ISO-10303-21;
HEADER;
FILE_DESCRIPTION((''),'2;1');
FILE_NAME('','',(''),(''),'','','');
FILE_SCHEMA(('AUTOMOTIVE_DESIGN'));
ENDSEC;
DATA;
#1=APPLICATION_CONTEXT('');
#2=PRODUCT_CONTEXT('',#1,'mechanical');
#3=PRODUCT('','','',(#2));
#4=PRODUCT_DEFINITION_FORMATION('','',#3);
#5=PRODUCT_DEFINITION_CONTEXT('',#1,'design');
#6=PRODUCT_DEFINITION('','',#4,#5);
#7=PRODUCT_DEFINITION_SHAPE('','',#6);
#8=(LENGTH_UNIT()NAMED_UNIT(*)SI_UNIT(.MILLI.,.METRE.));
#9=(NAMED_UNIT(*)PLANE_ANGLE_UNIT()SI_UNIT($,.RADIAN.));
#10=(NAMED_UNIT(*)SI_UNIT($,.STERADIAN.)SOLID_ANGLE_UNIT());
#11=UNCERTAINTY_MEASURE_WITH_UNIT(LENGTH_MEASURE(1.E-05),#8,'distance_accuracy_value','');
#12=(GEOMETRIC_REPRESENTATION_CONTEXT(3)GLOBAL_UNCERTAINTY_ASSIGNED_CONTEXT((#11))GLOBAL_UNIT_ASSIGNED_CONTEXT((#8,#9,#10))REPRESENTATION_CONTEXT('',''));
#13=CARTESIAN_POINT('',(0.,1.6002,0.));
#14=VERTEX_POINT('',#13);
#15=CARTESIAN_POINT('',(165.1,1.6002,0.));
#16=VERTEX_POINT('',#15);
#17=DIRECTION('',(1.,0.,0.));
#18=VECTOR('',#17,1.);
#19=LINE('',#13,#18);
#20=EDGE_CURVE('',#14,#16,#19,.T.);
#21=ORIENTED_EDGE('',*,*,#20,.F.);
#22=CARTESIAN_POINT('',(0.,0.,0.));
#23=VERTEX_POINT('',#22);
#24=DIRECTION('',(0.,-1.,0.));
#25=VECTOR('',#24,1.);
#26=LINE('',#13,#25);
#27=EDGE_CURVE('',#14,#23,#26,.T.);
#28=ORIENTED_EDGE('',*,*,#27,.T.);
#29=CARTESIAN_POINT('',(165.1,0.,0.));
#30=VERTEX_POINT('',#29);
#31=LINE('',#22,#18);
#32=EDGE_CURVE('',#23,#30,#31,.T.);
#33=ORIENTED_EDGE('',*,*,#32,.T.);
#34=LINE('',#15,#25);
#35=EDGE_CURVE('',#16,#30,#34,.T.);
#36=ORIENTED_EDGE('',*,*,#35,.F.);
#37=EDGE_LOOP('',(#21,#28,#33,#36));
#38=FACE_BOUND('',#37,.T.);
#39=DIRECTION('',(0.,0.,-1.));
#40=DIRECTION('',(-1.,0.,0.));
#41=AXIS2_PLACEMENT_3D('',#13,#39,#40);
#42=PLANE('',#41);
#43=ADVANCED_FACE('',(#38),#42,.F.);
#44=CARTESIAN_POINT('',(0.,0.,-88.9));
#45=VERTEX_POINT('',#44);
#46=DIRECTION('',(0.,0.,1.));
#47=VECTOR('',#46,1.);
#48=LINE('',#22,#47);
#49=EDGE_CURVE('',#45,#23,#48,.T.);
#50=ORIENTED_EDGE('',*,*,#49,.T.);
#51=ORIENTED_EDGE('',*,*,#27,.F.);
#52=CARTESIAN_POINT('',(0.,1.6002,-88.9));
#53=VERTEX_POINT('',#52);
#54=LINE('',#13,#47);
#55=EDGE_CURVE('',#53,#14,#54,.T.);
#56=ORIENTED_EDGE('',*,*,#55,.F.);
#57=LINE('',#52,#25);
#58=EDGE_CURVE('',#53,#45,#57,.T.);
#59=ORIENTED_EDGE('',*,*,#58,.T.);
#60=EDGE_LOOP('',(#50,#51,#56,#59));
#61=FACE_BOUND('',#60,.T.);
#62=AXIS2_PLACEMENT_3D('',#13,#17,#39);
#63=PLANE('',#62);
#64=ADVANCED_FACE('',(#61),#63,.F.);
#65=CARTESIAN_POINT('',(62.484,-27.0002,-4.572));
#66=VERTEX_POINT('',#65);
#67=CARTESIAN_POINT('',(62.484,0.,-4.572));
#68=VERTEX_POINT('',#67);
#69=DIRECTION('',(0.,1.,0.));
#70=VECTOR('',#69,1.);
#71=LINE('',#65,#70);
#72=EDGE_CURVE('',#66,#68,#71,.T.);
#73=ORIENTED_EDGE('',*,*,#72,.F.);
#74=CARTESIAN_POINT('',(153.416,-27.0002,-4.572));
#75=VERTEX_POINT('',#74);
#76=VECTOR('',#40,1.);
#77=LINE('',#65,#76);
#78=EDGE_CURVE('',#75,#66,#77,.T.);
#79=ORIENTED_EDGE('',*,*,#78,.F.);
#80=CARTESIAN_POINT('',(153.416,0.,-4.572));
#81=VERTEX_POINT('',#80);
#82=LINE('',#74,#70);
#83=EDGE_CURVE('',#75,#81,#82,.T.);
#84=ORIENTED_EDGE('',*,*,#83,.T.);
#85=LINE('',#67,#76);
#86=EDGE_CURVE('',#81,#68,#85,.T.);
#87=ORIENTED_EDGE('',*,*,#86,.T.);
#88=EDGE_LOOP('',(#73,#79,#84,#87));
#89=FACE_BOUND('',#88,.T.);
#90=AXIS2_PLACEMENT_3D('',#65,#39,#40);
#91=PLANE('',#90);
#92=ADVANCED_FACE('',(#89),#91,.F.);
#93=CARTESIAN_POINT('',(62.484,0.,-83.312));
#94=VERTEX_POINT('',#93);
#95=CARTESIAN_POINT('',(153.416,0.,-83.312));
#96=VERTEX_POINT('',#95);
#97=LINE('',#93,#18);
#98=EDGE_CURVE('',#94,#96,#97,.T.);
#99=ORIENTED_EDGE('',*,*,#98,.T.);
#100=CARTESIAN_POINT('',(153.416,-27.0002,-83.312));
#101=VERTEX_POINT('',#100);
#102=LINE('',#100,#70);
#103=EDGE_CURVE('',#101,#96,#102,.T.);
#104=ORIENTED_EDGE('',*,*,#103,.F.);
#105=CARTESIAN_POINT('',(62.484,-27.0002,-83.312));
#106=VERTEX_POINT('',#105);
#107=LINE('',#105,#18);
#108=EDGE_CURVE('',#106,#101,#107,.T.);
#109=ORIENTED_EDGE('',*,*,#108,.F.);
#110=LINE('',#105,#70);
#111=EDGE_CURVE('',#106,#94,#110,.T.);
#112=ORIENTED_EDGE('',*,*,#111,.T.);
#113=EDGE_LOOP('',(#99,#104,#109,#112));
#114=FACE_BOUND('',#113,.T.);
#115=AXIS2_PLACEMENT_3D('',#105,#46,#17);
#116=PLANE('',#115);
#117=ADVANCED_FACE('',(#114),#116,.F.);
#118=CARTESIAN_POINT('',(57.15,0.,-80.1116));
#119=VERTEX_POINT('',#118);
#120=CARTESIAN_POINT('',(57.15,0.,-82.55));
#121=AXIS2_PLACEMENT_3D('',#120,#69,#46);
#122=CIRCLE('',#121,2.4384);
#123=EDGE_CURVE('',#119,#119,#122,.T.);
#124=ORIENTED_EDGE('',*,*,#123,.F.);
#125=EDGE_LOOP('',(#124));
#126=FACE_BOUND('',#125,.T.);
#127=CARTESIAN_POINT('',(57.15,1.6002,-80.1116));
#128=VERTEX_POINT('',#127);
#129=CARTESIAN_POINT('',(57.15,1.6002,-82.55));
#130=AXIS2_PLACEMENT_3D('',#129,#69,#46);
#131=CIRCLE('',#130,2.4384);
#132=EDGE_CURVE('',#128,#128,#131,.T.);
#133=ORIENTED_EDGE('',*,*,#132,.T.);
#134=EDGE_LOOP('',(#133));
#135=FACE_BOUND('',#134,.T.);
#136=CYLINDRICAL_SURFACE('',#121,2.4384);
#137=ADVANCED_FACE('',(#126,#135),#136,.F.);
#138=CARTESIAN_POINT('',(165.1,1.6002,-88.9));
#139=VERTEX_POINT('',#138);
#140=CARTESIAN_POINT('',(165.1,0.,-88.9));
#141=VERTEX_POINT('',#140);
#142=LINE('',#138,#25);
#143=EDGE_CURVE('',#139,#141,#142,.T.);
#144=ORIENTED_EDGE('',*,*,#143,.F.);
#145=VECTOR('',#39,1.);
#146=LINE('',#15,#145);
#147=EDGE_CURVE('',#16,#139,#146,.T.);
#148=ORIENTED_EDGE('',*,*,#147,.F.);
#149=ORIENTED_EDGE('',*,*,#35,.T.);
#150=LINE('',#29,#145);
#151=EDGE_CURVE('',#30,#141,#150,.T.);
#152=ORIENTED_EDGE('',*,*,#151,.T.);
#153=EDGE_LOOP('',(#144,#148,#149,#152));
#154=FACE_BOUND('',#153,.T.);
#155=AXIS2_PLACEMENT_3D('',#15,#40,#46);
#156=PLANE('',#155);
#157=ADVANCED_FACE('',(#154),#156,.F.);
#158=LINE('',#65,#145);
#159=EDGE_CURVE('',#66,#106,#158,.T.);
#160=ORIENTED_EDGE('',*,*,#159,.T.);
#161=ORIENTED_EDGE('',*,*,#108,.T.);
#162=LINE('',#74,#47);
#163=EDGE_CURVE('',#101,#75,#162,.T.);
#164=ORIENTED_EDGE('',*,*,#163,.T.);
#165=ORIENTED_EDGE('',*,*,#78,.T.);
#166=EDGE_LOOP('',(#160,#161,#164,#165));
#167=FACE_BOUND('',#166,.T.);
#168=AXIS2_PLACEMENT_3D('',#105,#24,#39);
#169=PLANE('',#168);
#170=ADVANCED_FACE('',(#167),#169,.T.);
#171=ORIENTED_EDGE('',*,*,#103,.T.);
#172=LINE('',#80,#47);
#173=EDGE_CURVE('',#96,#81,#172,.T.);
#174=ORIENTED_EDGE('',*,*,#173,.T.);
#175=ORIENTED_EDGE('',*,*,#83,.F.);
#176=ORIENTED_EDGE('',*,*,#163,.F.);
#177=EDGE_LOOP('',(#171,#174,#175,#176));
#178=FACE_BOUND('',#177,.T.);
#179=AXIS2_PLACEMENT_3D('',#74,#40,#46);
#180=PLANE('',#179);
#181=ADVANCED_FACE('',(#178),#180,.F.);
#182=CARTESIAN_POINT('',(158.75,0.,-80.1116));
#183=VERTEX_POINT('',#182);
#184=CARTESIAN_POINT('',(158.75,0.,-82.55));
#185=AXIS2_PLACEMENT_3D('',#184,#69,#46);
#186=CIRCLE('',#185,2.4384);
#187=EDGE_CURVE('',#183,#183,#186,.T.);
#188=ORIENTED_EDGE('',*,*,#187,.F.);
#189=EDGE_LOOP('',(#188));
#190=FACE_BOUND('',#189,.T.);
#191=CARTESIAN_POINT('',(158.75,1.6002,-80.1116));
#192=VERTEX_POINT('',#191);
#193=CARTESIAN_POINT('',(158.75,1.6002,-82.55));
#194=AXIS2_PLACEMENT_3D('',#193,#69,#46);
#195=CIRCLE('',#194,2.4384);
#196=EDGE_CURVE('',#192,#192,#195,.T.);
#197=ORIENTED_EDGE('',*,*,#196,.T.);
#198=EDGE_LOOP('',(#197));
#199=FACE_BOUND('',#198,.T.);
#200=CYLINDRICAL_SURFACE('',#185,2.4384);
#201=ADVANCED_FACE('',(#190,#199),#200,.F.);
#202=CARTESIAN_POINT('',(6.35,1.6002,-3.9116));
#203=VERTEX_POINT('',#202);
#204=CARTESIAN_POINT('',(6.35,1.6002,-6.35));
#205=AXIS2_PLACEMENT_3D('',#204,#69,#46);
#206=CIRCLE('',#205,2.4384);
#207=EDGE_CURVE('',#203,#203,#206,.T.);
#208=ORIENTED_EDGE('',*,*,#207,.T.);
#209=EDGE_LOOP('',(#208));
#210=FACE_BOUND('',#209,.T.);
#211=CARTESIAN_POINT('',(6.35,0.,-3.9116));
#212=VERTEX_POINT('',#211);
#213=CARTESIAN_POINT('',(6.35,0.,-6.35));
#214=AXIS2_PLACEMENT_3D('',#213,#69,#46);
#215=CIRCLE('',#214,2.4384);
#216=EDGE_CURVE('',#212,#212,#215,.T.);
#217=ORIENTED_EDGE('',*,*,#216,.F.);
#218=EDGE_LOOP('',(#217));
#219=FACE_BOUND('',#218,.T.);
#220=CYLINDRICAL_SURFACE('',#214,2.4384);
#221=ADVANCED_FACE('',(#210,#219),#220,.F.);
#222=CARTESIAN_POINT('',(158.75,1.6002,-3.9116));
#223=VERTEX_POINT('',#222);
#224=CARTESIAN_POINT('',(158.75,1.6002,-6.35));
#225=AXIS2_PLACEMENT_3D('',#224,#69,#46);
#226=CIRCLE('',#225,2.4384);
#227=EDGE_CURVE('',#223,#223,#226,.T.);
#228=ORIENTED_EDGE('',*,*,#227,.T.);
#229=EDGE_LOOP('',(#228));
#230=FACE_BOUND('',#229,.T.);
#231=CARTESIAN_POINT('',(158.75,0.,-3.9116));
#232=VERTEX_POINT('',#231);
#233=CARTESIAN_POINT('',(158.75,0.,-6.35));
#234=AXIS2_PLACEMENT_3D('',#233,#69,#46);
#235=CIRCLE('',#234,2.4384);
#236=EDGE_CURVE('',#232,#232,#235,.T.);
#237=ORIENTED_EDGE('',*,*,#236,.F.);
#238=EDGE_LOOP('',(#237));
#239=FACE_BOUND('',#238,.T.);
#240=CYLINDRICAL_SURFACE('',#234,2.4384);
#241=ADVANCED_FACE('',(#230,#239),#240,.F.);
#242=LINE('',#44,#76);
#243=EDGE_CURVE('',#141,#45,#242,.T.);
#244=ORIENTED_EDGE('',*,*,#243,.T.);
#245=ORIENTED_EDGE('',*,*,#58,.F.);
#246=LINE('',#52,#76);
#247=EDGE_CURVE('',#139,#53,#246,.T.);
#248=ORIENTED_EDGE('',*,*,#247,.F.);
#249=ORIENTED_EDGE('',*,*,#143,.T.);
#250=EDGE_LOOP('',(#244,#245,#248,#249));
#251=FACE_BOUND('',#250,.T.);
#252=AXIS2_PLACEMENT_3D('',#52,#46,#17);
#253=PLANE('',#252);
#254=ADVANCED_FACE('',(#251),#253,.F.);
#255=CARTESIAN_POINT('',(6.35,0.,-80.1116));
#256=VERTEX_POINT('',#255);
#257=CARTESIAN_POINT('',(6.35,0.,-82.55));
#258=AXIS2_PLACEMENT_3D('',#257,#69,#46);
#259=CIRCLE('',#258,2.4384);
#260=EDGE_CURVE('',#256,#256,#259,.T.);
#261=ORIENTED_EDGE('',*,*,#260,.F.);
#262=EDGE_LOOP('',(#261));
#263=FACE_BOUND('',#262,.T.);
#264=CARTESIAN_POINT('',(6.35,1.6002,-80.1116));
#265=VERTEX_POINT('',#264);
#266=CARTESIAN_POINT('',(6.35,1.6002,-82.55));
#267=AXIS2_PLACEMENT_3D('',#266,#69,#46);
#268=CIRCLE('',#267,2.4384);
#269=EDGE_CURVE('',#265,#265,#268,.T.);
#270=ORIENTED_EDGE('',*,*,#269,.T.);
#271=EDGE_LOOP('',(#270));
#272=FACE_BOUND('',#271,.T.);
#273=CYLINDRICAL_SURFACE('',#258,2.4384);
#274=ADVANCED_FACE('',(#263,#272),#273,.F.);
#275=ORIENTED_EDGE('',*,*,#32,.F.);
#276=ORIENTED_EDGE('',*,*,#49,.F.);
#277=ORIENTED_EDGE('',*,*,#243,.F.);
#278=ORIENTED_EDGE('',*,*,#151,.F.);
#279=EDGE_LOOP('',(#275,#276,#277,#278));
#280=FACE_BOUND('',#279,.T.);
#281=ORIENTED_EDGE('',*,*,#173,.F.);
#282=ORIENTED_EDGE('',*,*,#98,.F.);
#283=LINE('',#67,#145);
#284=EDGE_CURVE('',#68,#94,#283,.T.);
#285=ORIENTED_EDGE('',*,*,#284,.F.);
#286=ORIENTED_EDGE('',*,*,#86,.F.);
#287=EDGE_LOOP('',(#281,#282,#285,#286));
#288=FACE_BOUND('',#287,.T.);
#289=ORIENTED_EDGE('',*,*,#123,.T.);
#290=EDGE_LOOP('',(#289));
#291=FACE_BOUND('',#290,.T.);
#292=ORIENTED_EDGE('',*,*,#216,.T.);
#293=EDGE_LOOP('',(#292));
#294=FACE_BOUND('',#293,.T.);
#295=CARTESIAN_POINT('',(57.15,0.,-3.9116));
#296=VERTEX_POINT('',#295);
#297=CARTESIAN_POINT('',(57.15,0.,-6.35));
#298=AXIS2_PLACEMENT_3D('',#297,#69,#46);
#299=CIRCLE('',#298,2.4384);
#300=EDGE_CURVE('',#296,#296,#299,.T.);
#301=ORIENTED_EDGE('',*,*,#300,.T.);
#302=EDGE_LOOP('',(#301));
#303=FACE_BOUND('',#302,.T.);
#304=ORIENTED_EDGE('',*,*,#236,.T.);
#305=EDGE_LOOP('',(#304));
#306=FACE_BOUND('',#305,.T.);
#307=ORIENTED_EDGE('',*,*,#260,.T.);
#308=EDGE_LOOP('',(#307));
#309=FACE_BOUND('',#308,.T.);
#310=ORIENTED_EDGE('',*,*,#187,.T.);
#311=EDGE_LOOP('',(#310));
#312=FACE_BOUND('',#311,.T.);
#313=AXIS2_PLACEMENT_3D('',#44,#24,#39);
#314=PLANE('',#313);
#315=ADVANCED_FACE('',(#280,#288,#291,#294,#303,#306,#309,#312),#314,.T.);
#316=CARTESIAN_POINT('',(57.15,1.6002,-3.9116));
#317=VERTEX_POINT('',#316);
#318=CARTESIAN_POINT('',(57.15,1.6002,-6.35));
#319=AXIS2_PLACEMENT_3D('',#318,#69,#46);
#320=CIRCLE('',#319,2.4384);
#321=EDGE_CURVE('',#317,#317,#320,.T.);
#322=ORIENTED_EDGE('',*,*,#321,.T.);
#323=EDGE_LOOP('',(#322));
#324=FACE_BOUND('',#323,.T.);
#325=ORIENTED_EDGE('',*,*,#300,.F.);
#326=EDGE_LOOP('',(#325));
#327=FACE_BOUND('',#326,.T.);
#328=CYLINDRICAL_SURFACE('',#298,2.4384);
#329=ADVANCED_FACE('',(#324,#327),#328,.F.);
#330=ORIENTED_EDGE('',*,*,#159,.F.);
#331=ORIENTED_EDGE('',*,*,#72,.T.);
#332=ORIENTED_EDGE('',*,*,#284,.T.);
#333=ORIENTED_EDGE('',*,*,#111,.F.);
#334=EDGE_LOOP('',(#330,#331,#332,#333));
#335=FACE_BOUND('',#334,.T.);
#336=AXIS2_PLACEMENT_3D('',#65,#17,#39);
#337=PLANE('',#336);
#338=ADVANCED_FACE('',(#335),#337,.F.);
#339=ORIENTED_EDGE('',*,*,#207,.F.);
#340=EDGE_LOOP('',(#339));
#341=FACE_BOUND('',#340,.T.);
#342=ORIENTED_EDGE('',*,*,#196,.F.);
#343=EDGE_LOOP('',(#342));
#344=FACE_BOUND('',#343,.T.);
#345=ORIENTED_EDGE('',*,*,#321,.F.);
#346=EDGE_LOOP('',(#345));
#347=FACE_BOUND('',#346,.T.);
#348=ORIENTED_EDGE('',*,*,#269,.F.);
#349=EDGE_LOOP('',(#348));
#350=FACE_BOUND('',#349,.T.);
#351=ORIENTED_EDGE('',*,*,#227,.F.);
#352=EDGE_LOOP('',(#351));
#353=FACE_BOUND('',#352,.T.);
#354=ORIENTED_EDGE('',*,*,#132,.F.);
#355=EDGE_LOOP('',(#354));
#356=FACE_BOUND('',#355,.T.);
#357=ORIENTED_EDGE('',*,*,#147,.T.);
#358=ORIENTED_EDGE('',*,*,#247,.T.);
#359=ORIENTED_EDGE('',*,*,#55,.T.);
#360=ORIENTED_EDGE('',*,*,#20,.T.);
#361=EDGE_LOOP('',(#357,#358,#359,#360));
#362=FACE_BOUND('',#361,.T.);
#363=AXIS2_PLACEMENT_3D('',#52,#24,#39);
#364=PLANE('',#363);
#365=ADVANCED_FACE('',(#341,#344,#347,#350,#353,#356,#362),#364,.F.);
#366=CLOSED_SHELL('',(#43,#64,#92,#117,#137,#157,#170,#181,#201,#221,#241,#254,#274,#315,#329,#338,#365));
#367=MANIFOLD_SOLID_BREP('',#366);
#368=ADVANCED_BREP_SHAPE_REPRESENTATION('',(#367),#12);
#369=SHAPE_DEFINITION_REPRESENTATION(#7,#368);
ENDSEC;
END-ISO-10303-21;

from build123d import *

# Parameters (mm, degrees)
SKETCH1_W          = 165.1
SKETCH1_H          = 88.9
EXTRUDE1_DEPTH     = 1.6002
SKETCH2_R          = 2.4384
CUT_EXTRUDE1_DEPTH = 2.6002
SKETCH3_W          = 90.932
SKETCH3_H          = 78.74
EXTRUDE2_DEPTH     = 27.0002


with BuildPart() as part:
    # Sketch1 → Extrude1 (new body)
    with BuildSketch(Plane(origin=(0, 0, 0), x_dir=(1, 0, 0), z_dir=(0, 1, 0))):
        with Locations((82.55, 44.45)):
            Rectangle(SKETCH1_W, SKETCH1_H)
    extrude(amount=EXTRUDE1_DEPTH)

    # Sketch2 → Cut-Extrude1 (cut, through all)
    with BuildSketch(Plane(origin=(0, 1.6002, 0), x_dir=(-1, 0, 0), z_dir=(0, 1, 0))):
        with Locations((-158.75, -6.35)):
            Circle(SKETCH2_R)
        with Locations((-57.15, -6.35)):
            Circle(SKETCH2_R)
        with Locations((-6.35, -6.35)):
            Circle(SKETCH2_R)
        with Locations((-158.75, -82.55)):
            Circle(SKETCH2_R)
        with Locations((-57.15, -82.55)):
            Circle(SKETCH2_R)
        with Locations((-6.35, -82.55)):
            Circle(SKETCH2_R)
    extrude(amount=-CUT_EXTRUDE1_DEPTH, mode=Mode.SUBTRACT)

    # Sketch3 → Extrude2 (add)
    with BuildSketch(Plane.XZ):
        with Locations((107.95, -43.942)):
            Rectangle(SKETCH3_W, SKETCH3_H)
    extrude(amount=EXTRUDE2_DEPTH)


solid = part.part
